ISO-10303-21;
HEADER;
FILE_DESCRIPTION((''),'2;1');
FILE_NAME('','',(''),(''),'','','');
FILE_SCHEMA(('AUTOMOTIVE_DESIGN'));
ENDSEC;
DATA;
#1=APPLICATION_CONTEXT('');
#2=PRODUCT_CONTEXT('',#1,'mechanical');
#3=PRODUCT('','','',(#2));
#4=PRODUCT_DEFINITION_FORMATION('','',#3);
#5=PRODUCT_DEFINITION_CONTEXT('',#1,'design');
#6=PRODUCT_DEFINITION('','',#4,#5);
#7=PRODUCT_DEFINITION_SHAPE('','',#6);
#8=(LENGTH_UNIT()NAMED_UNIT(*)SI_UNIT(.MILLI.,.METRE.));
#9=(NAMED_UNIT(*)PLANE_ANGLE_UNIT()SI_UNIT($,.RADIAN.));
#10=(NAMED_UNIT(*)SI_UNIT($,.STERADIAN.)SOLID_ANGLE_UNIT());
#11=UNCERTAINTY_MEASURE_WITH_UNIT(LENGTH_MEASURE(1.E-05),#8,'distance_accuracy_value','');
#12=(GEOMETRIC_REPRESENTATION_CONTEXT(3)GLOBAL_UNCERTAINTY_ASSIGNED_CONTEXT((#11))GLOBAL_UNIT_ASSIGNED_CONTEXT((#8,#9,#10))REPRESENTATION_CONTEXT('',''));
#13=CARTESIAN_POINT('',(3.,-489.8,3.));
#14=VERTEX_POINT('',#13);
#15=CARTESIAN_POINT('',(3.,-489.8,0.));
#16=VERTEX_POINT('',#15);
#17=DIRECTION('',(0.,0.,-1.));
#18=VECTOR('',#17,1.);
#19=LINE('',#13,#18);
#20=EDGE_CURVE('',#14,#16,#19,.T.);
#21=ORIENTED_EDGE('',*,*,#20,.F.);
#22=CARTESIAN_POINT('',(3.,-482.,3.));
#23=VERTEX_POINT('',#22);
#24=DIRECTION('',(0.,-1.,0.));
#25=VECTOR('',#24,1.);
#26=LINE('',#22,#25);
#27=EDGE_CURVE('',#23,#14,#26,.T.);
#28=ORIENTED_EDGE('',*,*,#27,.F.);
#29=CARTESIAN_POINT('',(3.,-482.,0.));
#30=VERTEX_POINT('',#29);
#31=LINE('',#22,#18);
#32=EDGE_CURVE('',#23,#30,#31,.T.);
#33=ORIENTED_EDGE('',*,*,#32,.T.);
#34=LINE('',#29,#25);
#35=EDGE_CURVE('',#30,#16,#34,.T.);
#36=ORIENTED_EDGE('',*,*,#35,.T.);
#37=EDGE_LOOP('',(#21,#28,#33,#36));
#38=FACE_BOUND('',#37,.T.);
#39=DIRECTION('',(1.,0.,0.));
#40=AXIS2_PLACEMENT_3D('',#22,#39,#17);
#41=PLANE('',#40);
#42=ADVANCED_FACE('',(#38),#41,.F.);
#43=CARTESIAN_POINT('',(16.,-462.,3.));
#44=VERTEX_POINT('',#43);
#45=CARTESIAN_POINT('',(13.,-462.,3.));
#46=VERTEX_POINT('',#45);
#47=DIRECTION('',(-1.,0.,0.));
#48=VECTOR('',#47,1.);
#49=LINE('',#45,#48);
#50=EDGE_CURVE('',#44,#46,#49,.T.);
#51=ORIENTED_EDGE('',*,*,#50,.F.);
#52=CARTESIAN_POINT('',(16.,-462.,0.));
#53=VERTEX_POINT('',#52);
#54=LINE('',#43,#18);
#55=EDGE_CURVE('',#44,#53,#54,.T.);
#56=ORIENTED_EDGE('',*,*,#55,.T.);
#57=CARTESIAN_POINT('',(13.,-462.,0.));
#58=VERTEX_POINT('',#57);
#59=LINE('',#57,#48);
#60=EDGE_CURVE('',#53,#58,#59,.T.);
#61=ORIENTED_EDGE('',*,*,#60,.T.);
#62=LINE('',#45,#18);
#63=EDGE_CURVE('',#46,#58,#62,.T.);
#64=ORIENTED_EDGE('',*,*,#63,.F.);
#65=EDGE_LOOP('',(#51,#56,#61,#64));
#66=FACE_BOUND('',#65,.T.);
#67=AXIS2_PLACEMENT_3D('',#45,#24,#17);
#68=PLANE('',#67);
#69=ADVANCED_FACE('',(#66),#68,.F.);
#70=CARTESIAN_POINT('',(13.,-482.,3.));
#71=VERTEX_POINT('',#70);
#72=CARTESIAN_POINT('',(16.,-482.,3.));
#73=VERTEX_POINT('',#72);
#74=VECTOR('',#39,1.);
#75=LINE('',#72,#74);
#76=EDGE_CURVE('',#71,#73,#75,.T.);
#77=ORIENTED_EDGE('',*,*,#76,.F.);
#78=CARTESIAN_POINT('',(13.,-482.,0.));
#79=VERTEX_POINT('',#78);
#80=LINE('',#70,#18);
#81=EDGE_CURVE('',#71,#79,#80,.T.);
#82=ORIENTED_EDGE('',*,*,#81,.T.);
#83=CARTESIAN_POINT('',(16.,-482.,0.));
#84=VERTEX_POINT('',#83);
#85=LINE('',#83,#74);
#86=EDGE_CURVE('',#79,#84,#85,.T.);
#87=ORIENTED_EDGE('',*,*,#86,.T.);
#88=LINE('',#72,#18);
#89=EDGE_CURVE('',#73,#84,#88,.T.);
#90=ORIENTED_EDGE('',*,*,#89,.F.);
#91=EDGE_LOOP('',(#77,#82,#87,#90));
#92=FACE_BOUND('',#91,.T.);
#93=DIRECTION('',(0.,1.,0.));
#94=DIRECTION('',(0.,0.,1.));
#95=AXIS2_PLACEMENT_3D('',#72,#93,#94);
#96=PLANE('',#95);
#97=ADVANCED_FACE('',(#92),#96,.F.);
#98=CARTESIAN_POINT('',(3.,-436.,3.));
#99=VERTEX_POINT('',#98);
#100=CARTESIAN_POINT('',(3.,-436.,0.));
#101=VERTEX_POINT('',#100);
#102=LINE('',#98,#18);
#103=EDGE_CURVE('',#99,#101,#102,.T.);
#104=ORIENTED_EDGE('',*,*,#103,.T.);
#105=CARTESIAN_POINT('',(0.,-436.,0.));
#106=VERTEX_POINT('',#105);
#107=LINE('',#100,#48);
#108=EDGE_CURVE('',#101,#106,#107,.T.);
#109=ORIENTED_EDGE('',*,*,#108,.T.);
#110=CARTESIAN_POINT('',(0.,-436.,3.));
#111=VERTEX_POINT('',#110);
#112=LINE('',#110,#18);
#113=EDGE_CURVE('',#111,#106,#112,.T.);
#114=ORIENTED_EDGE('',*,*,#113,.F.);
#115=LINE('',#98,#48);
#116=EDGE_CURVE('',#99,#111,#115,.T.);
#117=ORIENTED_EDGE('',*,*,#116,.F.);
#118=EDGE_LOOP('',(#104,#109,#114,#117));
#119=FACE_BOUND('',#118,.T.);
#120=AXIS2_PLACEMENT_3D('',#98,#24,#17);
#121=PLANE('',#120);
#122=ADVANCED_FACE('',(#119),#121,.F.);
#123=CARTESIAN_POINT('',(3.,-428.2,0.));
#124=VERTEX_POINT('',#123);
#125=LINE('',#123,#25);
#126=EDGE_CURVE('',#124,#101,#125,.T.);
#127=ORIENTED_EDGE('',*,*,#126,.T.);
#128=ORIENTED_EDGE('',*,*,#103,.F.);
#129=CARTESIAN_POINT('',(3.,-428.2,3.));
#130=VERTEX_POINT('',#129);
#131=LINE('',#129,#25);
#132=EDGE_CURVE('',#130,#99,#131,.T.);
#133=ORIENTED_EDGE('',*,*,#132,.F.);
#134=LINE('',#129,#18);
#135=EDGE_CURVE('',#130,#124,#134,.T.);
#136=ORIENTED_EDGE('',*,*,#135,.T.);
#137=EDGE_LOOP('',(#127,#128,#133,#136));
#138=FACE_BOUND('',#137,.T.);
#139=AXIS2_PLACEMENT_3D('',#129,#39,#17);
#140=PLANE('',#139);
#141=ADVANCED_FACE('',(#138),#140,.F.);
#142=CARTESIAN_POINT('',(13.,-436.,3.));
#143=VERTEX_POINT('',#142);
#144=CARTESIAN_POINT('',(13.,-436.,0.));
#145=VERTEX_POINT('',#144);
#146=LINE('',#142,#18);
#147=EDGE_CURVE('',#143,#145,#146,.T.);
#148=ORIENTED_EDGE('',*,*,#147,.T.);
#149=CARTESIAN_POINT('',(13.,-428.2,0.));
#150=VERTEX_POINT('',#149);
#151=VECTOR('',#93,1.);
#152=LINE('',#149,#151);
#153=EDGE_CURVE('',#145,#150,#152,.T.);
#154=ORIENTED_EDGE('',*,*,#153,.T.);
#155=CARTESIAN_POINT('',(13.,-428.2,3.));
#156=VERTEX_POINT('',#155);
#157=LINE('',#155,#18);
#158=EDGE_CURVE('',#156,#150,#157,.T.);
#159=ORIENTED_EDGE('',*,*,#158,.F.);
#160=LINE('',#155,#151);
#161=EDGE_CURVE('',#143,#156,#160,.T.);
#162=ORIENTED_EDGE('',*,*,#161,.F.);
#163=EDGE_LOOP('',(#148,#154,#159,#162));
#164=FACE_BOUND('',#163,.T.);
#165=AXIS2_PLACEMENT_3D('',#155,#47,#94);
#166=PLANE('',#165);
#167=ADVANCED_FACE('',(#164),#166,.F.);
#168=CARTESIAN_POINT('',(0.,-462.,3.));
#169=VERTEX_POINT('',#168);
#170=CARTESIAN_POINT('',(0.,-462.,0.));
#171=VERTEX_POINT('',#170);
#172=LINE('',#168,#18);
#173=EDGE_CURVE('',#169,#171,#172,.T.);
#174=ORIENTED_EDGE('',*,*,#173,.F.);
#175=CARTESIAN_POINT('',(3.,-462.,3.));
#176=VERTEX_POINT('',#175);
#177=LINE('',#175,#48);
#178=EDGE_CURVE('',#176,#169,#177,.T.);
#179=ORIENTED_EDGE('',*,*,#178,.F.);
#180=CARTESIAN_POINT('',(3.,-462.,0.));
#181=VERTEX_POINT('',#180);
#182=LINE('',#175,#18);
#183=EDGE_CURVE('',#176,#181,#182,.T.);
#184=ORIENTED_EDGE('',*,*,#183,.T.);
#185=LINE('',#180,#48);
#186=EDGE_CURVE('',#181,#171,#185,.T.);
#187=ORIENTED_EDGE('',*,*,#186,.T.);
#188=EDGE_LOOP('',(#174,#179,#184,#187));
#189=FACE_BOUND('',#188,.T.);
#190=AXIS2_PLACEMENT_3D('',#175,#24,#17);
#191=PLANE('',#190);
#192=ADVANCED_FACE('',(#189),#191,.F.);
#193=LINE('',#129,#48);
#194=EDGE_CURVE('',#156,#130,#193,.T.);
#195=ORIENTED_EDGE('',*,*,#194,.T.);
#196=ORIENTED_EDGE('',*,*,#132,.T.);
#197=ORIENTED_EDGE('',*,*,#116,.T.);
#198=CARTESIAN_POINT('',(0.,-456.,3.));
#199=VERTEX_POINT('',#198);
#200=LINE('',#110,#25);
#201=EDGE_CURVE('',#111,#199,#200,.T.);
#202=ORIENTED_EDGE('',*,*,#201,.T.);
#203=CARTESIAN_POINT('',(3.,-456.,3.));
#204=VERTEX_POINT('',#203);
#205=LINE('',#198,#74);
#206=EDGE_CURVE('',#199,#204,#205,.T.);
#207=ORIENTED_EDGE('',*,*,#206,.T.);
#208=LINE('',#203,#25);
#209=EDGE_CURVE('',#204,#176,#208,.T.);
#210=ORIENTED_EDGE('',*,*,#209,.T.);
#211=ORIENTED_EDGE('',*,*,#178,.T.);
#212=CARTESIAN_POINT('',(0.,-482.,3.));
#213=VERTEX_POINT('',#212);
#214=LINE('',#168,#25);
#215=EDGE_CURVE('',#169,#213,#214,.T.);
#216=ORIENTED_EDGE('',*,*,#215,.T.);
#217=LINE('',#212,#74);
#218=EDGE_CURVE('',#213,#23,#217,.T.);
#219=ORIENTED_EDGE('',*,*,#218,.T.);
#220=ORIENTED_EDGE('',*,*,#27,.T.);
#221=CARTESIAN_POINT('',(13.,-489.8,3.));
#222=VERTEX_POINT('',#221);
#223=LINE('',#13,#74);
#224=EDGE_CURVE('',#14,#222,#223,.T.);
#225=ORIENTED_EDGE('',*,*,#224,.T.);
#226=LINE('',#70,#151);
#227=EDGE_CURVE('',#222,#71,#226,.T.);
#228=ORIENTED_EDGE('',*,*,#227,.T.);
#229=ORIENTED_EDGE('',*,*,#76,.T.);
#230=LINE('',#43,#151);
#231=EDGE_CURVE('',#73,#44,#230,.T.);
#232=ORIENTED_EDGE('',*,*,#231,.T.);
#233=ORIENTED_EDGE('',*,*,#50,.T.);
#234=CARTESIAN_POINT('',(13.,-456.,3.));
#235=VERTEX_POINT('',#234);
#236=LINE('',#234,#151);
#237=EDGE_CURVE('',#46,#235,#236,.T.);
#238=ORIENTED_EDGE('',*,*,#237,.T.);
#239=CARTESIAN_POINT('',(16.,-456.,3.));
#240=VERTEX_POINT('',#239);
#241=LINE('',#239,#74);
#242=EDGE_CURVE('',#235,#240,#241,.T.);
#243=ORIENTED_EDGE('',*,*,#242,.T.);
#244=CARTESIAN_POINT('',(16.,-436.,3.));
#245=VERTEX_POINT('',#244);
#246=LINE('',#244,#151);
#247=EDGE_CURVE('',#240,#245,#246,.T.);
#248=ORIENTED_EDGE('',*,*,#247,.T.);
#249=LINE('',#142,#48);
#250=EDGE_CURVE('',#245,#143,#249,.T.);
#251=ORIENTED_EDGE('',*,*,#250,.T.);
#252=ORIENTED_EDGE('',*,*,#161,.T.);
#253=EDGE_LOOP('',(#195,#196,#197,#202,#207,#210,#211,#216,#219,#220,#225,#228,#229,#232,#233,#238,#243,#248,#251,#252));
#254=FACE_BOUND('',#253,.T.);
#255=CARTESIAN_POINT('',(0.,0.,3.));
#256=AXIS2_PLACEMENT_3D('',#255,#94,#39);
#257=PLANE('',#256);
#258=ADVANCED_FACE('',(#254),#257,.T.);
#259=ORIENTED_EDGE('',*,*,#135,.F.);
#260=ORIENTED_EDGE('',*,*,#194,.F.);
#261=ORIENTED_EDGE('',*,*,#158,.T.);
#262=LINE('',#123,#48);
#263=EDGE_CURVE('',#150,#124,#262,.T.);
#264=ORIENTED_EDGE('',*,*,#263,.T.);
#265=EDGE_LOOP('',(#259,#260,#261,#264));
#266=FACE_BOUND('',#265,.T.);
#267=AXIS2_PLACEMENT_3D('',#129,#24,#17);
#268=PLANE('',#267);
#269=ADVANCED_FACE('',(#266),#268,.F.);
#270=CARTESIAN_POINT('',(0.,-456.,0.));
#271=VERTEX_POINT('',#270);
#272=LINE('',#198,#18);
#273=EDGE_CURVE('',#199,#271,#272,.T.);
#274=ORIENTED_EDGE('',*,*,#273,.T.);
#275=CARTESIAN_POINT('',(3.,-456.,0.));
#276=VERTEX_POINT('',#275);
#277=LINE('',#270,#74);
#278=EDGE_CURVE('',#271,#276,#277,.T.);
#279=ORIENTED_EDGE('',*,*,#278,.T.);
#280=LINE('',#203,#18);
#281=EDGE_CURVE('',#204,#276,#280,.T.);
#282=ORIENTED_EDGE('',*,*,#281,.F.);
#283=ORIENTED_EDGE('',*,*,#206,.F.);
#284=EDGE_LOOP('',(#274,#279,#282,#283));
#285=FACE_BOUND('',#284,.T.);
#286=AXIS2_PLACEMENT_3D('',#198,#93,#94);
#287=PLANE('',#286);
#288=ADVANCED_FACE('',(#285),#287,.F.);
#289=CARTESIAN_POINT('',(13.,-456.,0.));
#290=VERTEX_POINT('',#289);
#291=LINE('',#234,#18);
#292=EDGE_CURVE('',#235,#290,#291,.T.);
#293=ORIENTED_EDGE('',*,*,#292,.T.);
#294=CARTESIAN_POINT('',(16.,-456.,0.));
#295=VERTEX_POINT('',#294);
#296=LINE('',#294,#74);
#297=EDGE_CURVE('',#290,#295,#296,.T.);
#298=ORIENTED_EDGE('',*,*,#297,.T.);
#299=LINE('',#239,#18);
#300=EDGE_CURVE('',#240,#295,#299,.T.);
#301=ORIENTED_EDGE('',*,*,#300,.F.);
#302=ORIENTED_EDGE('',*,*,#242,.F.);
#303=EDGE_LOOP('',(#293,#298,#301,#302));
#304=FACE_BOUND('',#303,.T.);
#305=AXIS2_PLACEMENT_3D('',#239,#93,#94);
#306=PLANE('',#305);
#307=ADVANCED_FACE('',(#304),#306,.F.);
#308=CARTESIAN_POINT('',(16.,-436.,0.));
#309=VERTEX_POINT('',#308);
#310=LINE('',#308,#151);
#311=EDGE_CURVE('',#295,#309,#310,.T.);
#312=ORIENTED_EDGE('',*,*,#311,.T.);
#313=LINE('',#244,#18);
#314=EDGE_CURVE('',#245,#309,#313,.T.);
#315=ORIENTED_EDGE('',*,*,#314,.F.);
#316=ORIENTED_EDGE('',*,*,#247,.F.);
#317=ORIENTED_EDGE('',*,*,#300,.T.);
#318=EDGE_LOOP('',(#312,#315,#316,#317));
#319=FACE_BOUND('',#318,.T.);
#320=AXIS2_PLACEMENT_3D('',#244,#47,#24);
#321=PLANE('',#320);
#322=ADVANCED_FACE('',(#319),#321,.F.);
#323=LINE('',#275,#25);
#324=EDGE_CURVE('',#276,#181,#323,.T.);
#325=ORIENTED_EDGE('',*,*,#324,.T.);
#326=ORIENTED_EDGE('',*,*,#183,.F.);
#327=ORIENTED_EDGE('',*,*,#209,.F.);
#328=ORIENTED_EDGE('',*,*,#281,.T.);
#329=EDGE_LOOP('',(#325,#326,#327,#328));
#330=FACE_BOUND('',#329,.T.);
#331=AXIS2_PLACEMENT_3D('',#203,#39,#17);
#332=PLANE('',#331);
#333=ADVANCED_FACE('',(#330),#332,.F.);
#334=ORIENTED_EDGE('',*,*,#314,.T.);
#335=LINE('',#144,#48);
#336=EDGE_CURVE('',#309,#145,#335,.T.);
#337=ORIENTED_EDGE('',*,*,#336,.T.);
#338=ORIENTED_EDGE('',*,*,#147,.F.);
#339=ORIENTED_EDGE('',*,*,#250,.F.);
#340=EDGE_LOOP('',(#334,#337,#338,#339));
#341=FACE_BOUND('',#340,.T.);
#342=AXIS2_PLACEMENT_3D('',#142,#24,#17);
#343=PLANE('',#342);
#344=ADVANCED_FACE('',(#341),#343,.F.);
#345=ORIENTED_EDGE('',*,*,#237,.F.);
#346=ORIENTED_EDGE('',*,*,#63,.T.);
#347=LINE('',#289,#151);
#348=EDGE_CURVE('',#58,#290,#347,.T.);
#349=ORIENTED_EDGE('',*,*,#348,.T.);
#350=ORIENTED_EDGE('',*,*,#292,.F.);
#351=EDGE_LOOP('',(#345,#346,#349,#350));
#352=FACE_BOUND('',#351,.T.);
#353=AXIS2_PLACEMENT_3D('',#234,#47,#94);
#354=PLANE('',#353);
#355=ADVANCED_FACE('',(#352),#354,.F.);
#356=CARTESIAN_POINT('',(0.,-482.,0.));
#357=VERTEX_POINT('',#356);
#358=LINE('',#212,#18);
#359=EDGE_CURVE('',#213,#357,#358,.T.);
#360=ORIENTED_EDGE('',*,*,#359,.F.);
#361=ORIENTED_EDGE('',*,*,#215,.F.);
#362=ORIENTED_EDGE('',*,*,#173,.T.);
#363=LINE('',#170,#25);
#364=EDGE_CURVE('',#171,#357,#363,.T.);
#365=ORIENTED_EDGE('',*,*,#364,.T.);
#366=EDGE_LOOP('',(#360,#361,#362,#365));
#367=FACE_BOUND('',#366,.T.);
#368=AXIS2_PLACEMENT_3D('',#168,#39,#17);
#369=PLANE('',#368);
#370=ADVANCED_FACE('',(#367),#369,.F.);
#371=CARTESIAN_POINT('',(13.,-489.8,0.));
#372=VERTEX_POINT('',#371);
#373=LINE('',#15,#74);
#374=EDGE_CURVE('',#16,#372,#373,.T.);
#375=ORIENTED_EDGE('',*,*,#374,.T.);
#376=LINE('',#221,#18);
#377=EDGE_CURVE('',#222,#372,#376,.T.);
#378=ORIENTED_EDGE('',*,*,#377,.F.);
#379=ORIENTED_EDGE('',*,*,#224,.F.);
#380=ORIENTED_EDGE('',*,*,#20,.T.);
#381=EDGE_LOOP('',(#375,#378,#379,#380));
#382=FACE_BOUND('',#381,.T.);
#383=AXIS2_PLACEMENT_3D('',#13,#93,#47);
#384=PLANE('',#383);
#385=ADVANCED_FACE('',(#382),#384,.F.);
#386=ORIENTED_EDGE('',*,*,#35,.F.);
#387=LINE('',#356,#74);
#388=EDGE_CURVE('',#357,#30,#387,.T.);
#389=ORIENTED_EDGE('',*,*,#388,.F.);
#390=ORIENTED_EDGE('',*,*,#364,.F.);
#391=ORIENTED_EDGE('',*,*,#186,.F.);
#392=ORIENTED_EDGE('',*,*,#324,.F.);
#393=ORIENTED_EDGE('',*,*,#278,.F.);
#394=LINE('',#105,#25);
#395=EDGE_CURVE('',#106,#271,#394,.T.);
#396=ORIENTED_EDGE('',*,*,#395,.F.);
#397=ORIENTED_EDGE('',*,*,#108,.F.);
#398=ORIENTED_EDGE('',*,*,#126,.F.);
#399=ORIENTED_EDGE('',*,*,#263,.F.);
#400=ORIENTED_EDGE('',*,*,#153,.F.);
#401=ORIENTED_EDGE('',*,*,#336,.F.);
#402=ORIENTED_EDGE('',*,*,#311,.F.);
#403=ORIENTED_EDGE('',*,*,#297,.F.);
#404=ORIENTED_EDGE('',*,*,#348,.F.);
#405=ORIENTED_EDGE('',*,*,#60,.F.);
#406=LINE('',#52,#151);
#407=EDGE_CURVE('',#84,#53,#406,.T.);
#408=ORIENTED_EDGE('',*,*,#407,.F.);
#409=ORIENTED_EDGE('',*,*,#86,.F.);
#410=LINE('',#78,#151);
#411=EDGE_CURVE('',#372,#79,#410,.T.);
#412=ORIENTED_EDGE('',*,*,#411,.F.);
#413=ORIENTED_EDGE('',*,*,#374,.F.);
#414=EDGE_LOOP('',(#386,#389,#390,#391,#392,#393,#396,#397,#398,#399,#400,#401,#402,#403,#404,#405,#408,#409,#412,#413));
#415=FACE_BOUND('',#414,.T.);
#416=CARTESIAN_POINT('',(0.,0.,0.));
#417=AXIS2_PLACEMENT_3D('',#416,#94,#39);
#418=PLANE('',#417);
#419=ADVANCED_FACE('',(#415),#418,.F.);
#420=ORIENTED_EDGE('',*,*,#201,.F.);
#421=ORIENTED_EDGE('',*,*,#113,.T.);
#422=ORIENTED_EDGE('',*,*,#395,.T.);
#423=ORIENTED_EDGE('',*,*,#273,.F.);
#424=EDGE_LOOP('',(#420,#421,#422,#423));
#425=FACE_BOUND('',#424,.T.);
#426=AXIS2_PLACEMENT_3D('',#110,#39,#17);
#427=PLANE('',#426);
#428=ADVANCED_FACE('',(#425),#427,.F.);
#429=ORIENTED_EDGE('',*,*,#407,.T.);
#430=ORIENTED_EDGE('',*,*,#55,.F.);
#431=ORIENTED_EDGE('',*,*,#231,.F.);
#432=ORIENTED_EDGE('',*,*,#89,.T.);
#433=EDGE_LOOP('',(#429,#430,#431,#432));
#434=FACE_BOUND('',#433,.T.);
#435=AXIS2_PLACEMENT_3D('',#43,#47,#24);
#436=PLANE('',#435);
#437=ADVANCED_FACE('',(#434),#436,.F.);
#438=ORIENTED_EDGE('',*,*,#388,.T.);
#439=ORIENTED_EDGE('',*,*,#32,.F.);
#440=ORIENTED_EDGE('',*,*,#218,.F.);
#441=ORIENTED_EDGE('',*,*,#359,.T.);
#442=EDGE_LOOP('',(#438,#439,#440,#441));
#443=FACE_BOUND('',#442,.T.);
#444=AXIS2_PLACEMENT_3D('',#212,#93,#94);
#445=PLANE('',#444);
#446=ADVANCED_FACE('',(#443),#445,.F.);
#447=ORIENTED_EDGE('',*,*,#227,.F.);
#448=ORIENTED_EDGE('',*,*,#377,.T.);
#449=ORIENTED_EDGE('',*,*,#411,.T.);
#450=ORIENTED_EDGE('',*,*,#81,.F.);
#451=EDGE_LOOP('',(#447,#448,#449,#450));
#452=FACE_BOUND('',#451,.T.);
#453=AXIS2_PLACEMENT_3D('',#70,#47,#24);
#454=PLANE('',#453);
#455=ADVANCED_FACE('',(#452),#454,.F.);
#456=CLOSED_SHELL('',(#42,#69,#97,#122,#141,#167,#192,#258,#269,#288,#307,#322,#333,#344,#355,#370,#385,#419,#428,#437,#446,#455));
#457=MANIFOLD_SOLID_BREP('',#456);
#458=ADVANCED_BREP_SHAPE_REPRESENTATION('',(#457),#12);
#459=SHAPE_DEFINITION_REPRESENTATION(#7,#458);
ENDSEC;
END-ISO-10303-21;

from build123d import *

# Parameters (mm, degrees)
BOSS_EXTRUDE1_DEPTH = 3


with BuildPart() as part:
    # Sketch1 → Boss-Extrude1 (new body)
    with BuildSketch(Plane.XY):
        Polygon((3, -428.2), (13, -428.2), (13, -436), (16, -436), (16, -456), (13, -456), (13, -462), (16, -462), (16, -482), (13, -482), (13, -489.8), (3, -489.8), (3, -482), (0, -482), (0, -462), (3, -462), (3, -456), (0, -456), (0, -436), (3, -436), align=None)
    extrude(amount=BOSS_EXTRUDE1_DEPTH)


solid = part.part
